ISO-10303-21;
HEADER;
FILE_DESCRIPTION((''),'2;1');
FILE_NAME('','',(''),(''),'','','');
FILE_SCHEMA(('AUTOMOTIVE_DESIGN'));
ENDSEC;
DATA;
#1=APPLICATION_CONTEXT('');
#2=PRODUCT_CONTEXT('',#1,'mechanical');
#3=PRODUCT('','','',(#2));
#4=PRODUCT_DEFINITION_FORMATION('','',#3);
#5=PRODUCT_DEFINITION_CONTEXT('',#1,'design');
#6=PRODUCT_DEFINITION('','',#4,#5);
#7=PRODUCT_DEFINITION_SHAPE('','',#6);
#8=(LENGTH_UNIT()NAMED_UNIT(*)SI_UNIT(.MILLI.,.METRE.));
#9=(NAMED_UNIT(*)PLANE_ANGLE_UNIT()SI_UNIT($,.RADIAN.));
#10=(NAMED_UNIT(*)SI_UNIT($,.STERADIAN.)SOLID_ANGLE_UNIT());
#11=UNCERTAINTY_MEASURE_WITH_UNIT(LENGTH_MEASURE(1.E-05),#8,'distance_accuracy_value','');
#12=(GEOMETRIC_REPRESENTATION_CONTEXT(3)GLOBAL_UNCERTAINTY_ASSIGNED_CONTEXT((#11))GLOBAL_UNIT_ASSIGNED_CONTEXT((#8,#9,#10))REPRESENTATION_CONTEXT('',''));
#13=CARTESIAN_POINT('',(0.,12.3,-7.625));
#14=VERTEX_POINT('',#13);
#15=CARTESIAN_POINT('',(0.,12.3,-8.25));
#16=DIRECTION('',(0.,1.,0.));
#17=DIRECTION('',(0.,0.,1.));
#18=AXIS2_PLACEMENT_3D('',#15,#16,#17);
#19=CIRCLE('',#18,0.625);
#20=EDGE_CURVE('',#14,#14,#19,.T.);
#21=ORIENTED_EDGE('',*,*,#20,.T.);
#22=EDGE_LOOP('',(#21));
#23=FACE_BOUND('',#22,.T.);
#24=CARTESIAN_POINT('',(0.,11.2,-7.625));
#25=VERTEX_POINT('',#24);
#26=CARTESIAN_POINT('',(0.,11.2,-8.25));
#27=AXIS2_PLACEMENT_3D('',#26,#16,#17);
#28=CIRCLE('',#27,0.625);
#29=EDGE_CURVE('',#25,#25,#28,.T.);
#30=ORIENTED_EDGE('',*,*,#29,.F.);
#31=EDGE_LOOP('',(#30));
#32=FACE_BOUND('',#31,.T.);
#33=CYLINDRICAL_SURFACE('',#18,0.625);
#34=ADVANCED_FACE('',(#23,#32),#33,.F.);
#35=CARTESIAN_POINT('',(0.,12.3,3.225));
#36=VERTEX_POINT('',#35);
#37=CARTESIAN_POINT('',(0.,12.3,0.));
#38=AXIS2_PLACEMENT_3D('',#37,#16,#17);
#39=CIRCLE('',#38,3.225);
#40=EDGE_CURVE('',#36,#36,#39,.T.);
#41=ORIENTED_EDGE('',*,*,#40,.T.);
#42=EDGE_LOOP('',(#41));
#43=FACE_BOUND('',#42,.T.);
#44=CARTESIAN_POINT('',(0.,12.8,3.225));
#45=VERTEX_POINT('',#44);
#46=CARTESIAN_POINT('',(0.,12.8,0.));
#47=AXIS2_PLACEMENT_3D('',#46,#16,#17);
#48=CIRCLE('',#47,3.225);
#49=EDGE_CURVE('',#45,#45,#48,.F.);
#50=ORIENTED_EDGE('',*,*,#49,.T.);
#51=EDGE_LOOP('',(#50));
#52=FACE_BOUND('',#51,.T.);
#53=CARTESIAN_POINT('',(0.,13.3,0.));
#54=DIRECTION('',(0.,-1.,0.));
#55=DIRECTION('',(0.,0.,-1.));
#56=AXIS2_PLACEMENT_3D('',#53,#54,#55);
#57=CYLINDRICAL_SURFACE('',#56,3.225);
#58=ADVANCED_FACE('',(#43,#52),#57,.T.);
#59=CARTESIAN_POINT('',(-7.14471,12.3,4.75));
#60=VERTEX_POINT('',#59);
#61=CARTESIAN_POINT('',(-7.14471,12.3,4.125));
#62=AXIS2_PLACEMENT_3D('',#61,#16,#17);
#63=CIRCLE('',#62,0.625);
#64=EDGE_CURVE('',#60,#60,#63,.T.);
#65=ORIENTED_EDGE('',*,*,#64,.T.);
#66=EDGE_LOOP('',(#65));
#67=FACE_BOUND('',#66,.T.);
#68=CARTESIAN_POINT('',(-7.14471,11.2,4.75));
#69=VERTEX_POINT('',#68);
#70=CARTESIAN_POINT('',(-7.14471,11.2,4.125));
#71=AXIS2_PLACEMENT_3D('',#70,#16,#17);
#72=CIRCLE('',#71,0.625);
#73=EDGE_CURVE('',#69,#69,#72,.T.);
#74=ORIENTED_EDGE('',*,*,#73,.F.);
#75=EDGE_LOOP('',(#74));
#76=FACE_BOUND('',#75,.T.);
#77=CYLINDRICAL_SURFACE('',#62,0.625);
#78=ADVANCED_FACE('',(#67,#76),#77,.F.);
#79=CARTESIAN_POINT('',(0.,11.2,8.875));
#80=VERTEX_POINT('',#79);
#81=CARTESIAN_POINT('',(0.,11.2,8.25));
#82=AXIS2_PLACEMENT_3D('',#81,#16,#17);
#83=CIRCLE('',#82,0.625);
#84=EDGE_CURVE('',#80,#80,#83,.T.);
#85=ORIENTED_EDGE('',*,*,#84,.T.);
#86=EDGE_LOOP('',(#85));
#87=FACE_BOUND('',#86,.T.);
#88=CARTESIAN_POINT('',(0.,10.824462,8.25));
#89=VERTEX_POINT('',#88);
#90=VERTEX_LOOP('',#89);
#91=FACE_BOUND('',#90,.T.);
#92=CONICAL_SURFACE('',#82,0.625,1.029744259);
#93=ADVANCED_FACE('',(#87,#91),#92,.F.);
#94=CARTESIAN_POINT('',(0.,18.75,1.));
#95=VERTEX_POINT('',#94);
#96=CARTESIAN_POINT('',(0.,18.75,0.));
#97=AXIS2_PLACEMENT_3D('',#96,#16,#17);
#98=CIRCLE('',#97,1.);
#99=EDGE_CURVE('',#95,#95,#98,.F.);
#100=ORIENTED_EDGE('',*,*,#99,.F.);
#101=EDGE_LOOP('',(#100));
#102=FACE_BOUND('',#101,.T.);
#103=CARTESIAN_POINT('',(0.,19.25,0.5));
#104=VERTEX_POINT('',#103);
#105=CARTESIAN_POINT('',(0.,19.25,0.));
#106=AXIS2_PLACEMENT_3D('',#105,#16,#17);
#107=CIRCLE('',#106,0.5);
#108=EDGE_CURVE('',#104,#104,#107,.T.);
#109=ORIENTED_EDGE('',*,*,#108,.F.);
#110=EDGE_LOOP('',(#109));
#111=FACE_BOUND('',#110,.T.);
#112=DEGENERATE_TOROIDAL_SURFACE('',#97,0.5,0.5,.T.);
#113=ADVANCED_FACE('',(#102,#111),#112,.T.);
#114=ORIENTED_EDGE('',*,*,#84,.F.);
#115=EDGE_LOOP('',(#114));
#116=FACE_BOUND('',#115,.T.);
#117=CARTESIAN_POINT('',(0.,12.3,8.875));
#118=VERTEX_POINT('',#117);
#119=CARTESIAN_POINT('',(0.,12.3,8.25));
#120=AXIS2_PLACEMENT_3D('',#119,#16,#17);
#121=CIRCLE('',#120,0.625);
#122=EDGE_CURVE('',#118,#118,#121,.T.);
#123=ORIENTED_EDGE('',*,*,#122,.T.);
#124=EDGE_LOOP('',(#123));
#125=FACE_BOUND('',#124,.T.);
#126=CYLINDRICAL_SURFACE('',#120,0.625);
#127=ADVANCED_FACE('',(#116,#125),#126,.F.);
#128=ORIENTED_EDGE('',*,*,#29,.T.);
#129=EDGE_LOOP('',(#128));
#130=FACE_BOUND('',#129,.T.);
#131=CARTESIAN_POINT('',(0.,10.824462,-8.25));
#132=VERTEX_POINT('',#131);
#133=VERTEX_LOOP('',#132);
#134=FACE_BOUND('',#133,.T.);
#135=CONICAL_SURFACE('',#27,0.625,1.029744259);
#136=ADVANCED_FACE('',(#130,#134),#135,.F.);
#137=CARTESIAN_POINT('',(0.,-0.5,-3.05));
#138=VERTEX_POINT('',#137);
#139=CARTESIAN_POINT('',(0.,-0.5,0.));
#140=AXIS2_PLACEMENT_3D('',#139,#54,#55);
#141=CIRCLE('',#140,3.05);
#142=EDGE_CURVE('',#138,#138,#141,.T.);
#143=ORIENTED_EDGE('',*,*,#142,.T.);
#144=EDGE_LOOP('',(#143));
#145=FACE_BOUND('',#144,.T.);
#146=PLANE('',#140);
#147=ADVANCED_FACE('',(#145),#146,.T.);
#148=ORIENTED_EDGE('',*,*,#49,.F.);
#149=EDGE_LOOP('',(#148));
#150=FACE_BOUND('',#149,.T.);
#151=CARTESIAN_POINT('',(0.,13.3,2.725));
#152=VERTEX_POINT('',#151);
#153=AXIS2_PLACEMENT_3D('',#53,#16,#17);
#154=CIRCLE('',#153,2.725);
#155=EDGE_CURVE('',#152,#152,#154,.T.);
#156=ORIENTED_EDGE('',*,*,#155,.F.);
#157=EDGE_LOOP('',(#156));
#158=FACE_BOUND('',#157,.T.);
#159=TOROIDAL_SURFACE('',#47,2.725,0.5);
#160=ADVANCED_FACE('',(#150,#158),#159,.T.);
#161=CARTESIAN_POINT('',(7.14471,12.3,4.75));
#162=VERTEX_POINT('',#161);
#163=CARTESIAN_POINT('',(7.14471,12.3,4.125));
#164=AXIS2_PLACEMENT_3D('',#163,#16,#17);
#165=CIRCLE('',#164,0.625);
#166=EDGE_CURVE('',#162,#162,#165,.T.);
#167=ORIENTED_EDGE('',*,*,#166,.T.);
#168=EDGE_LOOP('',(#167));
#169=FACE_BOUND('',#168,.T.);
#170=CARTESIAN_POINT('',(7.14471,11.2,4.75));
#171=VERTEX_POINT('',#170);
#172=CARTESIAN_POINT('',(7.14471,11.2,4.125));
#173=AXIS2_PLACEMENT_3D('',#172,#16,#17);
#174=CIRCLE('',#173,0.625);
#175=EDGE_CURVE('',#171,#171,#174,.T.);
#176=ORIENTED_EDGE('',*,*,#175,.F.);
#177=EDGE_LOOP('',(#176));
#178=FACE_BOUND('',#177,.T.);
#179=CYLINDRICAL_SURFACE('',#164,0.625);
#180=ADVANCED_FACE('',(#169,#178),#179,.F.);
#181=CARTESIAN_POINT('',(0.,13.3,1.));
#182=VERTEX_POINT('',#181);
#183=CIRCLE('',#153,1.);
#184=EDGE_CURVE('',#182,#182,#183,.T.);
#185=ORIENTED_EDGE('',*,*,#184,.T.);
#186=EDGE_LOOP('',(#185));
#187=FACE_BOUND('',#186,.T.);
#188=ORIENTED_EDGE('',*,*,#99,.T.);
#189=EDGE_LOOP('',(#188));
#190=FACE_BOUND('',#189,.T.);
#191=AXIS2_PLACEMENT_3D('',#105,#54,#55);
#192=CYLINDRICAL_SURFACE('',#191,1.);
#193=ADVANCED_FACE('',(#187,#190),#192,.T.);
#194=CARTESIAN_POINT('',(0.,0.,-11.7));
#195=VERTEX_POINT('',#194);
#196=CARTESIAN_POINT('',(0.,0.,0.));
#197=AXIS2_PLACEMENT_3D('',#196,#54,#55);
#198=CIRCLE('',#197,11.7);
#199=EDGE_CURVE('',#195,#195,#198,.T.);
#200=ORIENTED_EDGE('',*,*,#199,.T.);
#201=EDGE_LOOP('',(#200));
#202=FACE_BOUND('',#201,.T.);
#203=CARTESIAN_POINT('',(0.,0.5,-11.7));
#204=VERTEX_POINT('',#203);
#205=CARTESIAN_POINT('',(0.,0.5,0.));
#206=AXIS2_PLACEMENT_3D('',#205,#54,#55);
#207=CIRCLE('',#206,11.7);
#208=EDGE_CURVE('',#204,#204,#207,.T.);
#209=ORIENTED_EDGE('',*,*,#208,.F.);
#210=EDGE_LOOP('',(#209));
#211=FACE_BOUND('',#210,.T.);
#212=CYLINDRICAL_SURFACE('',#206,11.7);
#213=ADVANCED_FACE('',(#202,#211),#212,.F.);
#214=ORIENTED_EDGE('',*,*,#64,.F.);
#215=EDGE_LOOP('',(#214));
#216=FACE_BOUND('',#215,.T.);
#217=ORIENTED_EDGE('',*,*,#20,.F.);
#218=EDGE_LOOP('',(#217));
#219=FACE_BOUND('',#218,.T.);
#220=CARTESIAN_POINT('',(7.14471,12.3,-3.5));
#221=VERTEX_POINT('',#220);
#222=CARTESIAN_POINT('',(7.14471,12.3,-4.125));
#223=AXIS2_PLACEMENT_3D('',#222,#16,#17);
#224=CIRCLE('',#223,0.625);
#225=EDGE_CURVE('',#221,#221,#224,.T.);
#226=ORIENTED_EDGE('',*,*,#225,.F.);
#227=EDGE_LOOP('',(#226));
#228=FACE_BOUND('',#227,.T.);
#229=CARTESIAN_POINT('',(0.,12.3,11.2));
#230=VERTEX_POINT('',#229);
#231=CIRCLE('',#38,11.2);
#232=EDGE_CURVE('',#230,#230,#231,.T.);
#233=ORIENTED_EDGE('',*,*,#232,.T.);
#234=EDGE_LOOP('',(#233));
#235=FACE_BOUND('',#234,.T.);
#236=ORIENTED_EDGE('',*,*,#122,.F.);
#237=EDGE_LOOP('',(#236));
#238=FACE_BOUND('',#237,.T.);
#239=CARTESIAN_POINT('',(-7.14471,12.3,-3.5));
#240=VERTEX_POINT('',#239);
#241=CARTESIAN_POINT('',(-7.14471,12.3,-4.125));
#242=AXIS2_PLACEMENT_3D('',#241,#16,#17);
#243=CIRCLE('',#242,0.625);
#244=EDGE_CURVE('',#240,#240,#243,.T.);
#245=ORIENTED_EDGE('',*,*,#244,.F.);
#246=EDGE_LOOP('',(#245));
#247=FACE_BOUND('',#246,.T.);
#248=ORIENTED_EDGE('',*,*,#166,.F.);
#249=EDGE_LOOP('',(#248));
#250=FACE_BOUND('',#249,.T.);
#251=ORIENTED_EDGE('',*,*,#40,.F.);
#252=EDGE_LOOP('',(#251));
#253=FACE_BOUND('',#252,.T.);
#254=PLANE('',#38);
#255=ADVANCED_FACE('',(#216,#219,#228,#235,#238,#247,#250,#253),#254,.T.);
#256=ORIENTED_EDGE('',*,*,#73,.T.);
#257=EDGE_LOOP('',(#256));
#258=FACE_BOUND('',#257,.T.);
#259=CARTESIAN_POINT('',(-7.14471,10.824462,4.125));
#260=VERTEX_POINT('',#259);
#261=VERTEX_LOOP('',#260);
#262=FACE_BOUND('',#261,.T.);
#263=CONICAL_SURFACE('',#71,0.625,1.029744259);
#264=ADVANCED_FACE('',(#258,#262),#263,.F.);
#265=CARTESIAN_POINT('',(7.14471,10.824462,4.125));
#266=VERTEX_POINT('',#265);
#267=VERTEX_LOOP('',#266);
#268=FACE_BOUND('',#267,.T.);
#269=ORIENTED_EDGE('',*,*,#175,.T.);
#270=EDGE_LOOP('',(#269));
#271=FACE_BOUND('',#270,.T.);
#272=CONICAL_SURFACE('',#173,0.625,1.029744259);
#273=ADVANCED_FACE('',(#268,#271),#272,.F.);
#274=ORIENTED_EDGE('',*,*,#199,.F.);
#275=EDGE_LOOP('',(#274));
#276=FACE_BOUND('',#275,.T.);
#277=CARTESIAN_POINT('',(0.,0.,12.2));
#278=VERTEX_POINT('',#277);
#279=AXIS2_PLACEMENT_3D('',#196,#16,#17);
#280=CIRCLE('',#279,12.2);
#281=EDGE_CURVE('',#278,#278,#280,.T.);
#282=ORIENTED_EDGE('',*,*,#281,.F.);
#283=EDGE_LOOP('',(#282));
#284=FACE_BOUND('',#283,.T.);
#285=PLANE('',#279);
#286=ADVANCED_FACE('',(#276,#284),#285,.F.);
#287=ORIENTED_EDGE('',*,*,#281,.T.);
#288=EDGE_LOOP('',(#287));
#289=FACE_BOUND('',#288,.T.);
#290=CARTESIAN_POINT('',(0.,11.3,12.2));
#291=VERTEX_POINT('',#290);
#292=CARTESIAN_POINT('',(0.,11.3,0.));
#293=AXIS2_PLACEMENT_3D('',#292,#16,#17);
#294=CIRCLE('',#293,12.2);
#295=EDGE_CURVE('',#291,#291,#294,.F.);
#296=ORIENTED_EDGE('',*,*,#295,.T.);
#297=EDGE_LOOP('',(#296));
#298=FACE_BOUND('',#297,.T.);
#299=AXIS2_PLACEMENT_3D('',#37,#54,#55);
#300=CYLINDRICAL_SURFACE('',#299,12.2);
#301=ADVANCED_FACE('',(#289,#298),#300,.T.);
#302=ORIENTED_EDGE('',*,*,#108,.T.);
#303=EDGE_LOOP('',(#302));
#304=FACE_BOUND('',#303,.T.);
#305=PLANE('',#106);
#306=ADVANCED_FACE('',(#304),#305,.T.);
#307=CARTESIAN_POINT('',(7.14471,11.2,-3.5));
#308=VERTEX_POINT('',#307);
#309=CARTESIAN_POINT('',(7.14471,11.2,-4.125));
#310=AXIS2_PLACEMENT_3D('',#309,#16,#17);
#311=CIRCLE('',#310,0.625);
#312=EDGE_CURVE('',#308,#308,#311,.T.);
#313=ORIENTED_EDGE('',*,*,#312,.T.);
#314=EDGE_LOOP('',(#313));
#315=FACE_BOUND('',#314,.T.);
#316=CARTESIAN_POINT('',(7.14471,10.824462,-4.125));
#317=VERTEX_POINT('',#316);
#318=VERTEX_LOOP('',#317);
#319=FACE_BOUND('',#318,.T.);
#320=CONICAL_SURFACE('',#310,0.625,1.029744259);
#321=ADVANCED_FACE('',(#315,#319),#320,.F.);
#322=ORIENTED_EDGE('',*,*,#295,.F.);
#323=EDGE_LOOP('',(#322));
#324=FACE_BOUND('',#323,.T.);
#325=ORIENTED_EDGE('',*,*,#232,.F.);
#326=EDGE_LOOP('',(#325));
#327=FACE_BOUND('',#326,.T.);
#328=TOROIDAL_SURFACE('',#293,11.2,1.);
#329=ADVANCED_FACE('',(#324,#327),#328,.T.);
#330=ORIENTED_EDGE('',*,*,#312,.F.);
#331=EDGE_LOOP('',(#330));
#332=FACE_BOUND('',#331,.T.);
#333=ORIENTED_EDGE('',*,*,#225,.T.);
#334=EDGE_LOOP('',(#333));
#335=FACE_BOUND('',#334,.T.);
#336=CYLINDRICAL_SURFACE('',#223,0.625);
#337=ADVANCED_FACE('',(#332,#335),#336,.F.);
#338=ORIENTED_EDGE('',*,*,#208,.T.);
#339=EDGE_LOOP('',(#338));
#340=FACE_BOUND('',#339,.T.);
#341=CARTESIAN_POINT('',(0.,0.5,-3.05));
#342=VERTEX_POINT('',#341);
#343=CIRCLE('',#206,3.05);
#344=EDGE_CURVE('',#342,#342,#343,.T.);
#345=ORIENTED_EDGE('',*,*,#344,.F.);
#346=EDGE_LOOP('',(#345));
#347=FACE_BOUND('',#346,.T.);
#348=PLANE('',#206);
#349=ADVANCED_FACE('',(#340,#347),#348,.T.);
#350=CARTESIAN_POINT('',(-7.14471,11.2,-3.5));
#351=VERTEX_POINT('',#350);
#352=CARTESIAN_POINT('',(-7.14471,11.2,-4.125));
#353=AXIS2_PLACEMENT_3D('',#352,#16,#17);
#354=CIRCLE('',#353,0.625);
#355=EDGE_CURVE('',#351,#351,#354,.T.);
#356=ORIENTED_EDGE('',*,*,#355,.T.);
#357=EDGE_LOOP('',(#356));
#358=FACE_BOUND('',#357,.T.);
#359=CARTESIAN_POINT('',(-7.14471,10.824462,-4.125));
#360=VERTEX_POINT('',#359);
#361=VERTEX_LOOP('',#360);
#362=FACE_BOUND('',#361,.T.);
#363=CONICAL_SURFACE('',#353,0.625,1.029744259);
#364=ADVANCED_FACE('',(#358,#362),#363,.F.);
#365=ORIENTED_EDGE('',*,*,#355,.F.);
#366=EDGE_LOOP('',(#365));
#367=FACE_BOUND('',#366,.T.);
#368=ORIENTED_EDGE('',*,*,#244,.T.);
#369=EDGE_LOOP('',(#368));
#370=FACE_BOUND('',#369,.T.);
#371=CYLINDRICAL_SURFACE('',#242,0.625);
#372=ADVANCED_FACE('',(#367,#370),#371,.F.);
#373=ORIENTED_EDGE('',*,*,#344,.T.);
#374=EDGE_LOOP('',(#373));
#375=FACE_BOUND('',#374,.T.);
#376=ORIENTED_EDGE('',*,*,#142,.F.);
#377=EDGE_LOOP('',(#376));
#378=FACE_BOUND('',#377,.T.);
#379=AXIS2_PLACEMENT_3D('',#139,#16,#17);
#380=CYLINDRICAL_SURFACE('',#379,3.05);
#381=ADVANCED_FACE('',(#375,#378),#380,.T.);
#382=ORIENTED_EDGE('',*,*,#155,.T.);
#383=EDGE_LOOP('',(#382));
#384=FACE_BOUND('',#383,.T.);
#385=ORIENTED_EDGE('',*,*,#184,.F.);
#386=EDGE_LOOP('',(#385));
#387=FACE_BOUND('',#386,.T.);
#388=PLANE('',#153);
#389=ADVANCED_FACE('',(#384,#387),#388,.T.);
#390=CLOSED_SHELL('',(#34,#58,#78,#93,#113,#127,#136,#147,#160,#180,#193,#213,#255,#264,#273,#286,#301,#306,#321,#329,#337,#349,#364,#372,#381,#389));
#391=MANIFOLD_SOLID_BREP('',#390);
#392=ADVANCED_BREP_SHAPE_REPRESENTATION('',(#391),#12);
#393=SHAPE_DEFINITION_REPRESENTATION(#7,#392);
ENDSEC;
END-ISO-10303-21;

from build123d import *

# Parameters (mm, degrees)
SKETCH1_R                          = 12.2
BOSS_EXTRUDE1_DEPTH                = 12.3
SKETCH2_R                          = 3.225
BOSS_EXTRUDE2_DEPTH                = 1
SKETCH3_R                          = 3.05
BOSS_EXTRUDE3_DEPTH                = 0.5
SKETCH4_R                          = 1
BOSS_EXTRUDE4_DEPTH                = 5.95
FILLET1_R                          = 1
FILLET2_R                          = 0.5
TAP_DRILL_FOR_M1_6X0_35_TAP1_D     = 1.25
TAP_DRILL_FOR_M1_6X0_35_TAP1_DEPTH = 1.1
TAP_DRILL_FOR_M1_6X0_35_TAP1_TIP   = 0.375537887
CUT_EXTRUDE1_START                 = -0.5
SKETCH8_R                          = 11.7
SKETCH8_R_2                        = 3.05
CUT_EXTRUDE1_DEPTH                 = 0.5


with BuildPart() as part:
    # Sketch1 → Boss-Extrude1 (new body)
    with BuildSketch(Plane(origin=(0, 0, 0), x_dir=(1, 0, 0), z_dir=(0, 1, 0))):
        with Locations(Location((0, 0, 0), (0, 0, 270))):
            Circle(SKETCH1_R)
    extrude(amount=BOSS_EXTRUDE1_DEPTH)

    # Sketch2 → Boss-Extrude2 (add)
    with BuildSketch(Plane(origin=(0, 12.3, 0), x_dir=(1, 0, 0), z_dir=(0, 1, 0))):
        with Locations(Location((0, 0, 0), (0, 0, 270))):
            Circle(SKETCH2_R)
    extrude(amount=BOSS_EXTRUDE2_DEPTH)

    # Sketch3 → Boss-Extrude3 (add)
    with BuildSketch(Plane.XZ):
        with Locations(Location((0, 0, 0), (0, 0, 90))):
            Circle(SKETCH3_R)
    extrude(amount=BOSS_EXTRUDE3_DEPTH)

    # Sketch4 → Boss-Extrude4 (add)
    with BuildSketch(Plane(origin=(0, 13.3, 0), x_dir=(1, 0, 0), z_dir=(0, 1, 0))):
        with Locations(Location((0, 0, 0), (0, 0, 270))):
            Circle(SKETCH4_R)
    extrude(amount=BOSS_EXTRUDE4_DEPTH)

    # Fillet1
    fillet1_edges = [part.edges().sort_by_distance(p)[0] for p in [
        (0, 12.3, -12.2),
    ]]
    fillet(fillet1_edges, radius=FILLET1_R)

    # Fillet2
    fillet2_edges = [part.edges().sort_by_distance(p)[0] for p in [
        (0, 19.25, -1),
        (0, 13.3, -3.225),
    ]]
    fillet(fillet2_edges, radius=FILLET2_R)

    # Tap Drill for M1.6x0.35 Tap1
    with Locations(Plane(origin=(0, 12.3, 0), x_dir=(1, 0, 0), z_dir=(0, 1, 0))):
        with Locations((0, -8.25), (-7.144709581, -4.125), (-7.144709581, 4.125), (0, 8.25), (7.144709581, 4.125), (7.144709581, -4.125)):
            Hole(TAP_DRILL_FOR_M1_6X0_35_TAP1_D / 2, depth=TAP_DRILL_FOR_M1_6X0_35_TAP1_DEPTH)
            with Locations((0, 0, -(TAP_DRILL_FOR_M1_6X0_35_TAP1_DEPTH + TAP_DRILL_FOR_M1_6X0_35_TAP1_TIP / 2))):  # 118° drill point
                Cone(0, TAP_DRILL_FOR_M1_6X0_35_TAP1_D / 2, TAP_DRILL_FOR_M1_6X0_35_TAP1_TIP, mode=Mode.SUBTRACT)

    # Sketch8 → Cut-Extrude1 (cut)
    with BuildSketch(Plane.XZ.offset(CUT_EXTRUDE1_START)):
        with Locations(Location((0, 0, 0), (0, 0, 270))):
            Circle(SKETCH8_R)
        with Locations(Location((0, 0, 0), (0, 0, 270))):
            Circle(SKETCH8_R_2, mode=Mode.SUBTRACT)
    extrude(amount=CUT_EXTRUDE1_DEPTH, mode=Mode.SUBTRACT)


solid = part.part
